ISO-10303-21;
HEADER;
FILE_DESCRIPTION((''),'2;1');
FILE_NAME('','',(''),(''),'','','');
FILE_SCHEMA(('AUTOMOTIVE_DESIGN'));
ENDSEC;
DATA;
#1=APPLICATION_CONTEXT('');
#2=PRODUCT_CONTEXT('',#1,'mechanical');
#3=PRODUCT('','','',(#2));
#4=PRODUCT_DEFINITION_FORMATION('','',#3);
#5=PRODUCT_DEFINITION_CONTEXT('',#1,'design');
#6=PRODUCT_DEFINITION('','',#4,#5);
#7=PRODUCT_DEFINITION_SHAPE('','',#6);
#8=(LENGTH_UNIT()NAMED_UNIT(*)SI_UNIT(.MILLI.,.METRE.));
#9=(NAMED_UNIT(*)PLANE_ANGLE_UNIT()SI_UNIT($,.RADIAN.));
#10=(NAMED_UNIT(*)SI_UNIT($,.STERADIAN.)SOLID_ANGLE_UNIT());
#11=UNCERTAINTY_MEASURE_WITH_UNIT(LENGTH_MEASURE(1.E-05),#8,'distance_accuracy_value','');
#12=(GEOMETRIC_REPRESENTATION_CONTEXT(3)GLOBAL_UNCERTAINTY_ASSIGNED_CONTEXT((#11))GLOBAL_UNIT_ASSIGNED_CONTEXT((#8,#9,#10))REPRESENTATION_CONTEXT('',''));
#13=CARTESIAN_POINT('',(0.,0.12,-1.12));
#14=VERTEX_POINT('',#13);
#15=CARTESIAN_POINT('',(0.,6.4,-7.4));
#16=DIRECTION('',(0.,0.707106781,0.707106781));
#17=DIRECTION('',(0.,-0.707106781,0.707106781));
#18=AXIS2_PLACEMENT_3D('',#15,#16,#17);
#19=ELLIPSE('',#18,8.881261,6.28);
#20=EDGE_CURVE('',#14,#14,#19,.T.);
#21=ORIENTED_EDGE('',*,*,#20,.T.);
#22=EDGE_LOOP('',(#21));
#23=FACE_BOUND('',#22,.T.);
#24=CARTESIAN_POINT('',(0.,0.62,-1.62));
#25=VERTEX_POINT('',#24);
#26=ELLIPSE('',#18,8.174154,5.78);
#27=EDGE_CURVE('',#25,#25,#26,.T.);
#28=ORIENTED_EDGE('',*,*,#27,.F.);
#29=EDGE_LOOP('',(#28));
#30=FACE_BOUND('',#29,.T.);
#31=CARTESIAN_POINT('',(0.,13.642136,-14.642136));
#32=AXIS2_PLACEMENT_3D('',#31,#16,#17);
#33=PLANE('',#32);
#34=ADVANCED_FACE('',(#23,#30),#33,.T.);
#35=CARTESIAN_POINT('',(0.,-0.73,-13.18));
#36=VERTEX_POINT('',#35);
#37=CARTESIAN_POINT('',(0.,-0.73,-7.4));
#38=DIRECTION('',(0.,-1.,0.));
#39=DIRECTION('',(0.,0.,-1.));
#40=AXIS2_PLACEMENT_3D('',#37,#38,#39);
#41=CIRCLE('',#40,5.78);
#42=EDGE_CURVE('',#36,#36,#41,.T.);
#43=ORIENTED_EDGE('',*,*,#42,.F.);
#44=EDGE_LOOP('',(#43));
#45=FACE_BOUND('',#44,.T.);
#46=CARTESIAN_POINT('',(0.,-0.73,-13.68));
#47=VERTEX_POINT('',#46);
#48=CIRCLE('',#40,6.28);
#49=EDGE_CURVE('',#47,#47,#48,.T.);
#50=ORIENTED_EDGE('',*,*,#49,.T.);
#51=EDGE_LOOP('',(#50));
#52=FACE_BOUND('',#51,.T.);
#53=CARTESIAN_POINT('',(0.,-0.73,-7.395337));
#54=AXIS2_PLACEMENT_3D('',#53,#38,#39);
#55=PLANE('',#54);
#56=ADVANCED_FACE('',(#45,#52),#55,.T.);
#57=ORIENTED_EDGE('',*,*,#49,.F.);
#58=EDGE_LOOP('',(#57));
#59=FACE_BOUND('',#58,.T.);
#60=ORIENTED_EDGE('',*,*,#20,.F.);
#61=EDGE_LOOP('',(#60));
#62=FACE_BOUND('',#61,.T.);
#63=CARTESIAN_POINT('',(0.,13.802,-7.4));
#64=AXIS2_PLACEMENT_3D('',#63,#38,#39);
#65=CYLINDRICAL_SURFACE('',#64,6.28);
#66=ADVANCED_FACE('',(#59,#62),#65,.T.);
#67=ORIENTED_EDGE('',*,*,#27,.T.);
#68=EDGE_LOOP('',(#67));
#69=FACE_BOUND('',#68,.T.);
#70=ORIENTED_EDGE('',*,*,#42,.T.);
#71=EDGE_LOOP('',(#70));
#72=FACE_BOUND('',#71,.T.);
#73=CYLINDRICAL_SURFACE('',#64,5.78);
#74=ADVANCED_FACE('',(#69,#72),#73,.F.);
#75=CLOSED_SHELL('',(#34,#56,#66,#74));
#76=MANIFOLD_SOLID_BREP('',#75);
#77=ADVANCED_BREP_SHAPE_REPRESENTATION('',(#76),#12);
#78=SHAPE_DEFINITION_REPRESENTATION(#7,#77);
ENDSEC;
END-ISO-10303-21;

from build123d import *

# Parameters (mm, degrees)
SKETCH2_R               = 20
BOSS_EXTRUDE1_DEPTH     = 0.707106781
SKETCH3_R               = 7.4
SKETCH3_R_2             = 5.9
BOSS_EXTRUDE2_DEPTH     = 1
CUT_EXTRUDE1_DEPTH      = 48.148112734
CUT_EXTRUDE1_DEPTH_BACK = 48.148112734
SKETCH4_W               = 305.220008054
SKETCH4_H               = 126.870977102
SKETCH4_R               = 6.4
BOSS_EXTRUDE3_REACH     = 25.052
SKETCH5_R               = 6.28
SKETCH5_R_2             = 5.78
SKETCH7_R               = 18.282703858
CUT_EXTRUDE3_DEPTH      = 0.707106781
SKETCH8_R               = 12.772794789
CUT_EXTRUDE4_DEPTH      = 2.52


with BuildPart() as part:
    # Sketch2 → Boss-Extrude1 (new body)
    with BuildSketch(Plane(origin=(0, 0, 0), x_dir=(1, 0, 0), z_dir=(0, 0.7071067811865464, 0.7071067811865488))):
        with Locations(Location((0, 20, 0), (0, 0, 270))):
            Circle(SKETCH2_R)
    extrude(amount=-BOSS_EXTRUDE1_DEPTH)

    # Sketch4 → Cut-Extrude1 (cut, two sides: drawn at the far end of the back side and taken through both)
    with BuildSketch(Plane.XZ.offset(3.25).offset(-CUT_EXTRUDE1_DEPTH_BACK)):
        with Locations((6.754756468, -15.87939177)):
            Rectangle(SKETCH4_W, SKETCH4_H)
        with Locations(Location((0, -7.4, 0), (0, 0, 90))):
            Circle(SKETCH4_R, mode=Mode.SUBTRACT)
    extrude(amount=CUT_EXTRUDE1_DEPTH + CUT_EXTRUDE1_DEPTH_BACK, mode=Mode.SUBTRACT)

    # Sketch7 → Cut-Extrude3 (cut)
    with BuildSketch(Plane(origin=(0, 0, 0), x_dir=(1, 0, 0), z_dir=(0, 0.7071067811865465, 0.7071067811865487))):
        with Locations((0, 10.465180362)):
            Circle(SKETCH7_R)
    extrude(amount=-CUT_EXTRUDE3_DEPTH, mode=Mode.SUBTRACT)


with BuildPart() as body_2:
    # Sketch3 → Boss-Extrude2 (new body)
    with BuildSketch(Plane(origin=(0, -3.25, 0), x_dir=(1, 0, 0), z_dir=(0, 1, 0))):
        with Locations(Location((0, 7.4, 0), (0, 0, 270))):
            Circle(SKETCH3_R)
        with Locations(Location((0, 7.4, 0), (0, 0, 270))):
            Circle(SKETCH3_R_2, mode=Mode.SUBTRACT)
    extrude(amount=BOSS_EXTRUDE2_DEPTH)


with BuildPart() as body_3:
    # Boss-Extrude3: up to this plane
    boss_extrude3_end = Plane(origin=(0, 13.642135624, -14.642135624), z_dir=(0, 0.7071067811865464, 0.7071067811865488))
    # Sketch5 → Boss-Extrude3 (new, up to the surface)
    with BuildSketch(Plane(origin=(0, -2.25, 0), x_dir=(1, 0, 0), z_dir=(0, 1, 0)), mode=Mode.PRIVATE) as boss_extrude3_sk1:
        with Locations(Location((0, 7.4, 0), (0, 0, 270))):
            Circle(SKETCH5_R)
        with Locations(Location((0, 7.4, 0), (0, 0, 270))):
            Circle(SKETCH5_R_2, mode=Mode.SUBTRACT)
    boss_extrude3_tool1 = split(extrude(boss_extrude3_sk1.sketch, amount=BOSS_EXTRUDE3_REACH, mode=Mode.PRIVATE), bisect_by=boss_extrude3_end, keep=Keep.BOTH, mode=Mode.PRIVATE)
    add(boss_extrude3_tool1.solids().sort_by_distance((0, -2.25, -13.502375))[0])


with BuildPart() as cut_extrude4_tool:
    # Sketch8 → Cut-Extrude4 (new body)
    with BuildSketch(Plane.XZ.offset(3.25)):
        with Locations((0, -7.395337102)):
            Circle(SKETCH8_R)
    extrude(amount=-CUT_EXTRUDE4_DEPTH)


with BuildPart() as body_2_1:
    add(body_2.part)

    # Cut-Extrude4: cut by cut_extrude4_tool
    add(cut_extrude4_tool.part, mode=Mode.SUBTRACT)


with BuildPart() as body_3_1:
    add(body_3.part)

    # Cut-Extrude4: cut by cut_extrude4_tool
    add(cut_extrude4_tool.part, mode=Mode.SUBTRACT)


solid = body_3_1.part
